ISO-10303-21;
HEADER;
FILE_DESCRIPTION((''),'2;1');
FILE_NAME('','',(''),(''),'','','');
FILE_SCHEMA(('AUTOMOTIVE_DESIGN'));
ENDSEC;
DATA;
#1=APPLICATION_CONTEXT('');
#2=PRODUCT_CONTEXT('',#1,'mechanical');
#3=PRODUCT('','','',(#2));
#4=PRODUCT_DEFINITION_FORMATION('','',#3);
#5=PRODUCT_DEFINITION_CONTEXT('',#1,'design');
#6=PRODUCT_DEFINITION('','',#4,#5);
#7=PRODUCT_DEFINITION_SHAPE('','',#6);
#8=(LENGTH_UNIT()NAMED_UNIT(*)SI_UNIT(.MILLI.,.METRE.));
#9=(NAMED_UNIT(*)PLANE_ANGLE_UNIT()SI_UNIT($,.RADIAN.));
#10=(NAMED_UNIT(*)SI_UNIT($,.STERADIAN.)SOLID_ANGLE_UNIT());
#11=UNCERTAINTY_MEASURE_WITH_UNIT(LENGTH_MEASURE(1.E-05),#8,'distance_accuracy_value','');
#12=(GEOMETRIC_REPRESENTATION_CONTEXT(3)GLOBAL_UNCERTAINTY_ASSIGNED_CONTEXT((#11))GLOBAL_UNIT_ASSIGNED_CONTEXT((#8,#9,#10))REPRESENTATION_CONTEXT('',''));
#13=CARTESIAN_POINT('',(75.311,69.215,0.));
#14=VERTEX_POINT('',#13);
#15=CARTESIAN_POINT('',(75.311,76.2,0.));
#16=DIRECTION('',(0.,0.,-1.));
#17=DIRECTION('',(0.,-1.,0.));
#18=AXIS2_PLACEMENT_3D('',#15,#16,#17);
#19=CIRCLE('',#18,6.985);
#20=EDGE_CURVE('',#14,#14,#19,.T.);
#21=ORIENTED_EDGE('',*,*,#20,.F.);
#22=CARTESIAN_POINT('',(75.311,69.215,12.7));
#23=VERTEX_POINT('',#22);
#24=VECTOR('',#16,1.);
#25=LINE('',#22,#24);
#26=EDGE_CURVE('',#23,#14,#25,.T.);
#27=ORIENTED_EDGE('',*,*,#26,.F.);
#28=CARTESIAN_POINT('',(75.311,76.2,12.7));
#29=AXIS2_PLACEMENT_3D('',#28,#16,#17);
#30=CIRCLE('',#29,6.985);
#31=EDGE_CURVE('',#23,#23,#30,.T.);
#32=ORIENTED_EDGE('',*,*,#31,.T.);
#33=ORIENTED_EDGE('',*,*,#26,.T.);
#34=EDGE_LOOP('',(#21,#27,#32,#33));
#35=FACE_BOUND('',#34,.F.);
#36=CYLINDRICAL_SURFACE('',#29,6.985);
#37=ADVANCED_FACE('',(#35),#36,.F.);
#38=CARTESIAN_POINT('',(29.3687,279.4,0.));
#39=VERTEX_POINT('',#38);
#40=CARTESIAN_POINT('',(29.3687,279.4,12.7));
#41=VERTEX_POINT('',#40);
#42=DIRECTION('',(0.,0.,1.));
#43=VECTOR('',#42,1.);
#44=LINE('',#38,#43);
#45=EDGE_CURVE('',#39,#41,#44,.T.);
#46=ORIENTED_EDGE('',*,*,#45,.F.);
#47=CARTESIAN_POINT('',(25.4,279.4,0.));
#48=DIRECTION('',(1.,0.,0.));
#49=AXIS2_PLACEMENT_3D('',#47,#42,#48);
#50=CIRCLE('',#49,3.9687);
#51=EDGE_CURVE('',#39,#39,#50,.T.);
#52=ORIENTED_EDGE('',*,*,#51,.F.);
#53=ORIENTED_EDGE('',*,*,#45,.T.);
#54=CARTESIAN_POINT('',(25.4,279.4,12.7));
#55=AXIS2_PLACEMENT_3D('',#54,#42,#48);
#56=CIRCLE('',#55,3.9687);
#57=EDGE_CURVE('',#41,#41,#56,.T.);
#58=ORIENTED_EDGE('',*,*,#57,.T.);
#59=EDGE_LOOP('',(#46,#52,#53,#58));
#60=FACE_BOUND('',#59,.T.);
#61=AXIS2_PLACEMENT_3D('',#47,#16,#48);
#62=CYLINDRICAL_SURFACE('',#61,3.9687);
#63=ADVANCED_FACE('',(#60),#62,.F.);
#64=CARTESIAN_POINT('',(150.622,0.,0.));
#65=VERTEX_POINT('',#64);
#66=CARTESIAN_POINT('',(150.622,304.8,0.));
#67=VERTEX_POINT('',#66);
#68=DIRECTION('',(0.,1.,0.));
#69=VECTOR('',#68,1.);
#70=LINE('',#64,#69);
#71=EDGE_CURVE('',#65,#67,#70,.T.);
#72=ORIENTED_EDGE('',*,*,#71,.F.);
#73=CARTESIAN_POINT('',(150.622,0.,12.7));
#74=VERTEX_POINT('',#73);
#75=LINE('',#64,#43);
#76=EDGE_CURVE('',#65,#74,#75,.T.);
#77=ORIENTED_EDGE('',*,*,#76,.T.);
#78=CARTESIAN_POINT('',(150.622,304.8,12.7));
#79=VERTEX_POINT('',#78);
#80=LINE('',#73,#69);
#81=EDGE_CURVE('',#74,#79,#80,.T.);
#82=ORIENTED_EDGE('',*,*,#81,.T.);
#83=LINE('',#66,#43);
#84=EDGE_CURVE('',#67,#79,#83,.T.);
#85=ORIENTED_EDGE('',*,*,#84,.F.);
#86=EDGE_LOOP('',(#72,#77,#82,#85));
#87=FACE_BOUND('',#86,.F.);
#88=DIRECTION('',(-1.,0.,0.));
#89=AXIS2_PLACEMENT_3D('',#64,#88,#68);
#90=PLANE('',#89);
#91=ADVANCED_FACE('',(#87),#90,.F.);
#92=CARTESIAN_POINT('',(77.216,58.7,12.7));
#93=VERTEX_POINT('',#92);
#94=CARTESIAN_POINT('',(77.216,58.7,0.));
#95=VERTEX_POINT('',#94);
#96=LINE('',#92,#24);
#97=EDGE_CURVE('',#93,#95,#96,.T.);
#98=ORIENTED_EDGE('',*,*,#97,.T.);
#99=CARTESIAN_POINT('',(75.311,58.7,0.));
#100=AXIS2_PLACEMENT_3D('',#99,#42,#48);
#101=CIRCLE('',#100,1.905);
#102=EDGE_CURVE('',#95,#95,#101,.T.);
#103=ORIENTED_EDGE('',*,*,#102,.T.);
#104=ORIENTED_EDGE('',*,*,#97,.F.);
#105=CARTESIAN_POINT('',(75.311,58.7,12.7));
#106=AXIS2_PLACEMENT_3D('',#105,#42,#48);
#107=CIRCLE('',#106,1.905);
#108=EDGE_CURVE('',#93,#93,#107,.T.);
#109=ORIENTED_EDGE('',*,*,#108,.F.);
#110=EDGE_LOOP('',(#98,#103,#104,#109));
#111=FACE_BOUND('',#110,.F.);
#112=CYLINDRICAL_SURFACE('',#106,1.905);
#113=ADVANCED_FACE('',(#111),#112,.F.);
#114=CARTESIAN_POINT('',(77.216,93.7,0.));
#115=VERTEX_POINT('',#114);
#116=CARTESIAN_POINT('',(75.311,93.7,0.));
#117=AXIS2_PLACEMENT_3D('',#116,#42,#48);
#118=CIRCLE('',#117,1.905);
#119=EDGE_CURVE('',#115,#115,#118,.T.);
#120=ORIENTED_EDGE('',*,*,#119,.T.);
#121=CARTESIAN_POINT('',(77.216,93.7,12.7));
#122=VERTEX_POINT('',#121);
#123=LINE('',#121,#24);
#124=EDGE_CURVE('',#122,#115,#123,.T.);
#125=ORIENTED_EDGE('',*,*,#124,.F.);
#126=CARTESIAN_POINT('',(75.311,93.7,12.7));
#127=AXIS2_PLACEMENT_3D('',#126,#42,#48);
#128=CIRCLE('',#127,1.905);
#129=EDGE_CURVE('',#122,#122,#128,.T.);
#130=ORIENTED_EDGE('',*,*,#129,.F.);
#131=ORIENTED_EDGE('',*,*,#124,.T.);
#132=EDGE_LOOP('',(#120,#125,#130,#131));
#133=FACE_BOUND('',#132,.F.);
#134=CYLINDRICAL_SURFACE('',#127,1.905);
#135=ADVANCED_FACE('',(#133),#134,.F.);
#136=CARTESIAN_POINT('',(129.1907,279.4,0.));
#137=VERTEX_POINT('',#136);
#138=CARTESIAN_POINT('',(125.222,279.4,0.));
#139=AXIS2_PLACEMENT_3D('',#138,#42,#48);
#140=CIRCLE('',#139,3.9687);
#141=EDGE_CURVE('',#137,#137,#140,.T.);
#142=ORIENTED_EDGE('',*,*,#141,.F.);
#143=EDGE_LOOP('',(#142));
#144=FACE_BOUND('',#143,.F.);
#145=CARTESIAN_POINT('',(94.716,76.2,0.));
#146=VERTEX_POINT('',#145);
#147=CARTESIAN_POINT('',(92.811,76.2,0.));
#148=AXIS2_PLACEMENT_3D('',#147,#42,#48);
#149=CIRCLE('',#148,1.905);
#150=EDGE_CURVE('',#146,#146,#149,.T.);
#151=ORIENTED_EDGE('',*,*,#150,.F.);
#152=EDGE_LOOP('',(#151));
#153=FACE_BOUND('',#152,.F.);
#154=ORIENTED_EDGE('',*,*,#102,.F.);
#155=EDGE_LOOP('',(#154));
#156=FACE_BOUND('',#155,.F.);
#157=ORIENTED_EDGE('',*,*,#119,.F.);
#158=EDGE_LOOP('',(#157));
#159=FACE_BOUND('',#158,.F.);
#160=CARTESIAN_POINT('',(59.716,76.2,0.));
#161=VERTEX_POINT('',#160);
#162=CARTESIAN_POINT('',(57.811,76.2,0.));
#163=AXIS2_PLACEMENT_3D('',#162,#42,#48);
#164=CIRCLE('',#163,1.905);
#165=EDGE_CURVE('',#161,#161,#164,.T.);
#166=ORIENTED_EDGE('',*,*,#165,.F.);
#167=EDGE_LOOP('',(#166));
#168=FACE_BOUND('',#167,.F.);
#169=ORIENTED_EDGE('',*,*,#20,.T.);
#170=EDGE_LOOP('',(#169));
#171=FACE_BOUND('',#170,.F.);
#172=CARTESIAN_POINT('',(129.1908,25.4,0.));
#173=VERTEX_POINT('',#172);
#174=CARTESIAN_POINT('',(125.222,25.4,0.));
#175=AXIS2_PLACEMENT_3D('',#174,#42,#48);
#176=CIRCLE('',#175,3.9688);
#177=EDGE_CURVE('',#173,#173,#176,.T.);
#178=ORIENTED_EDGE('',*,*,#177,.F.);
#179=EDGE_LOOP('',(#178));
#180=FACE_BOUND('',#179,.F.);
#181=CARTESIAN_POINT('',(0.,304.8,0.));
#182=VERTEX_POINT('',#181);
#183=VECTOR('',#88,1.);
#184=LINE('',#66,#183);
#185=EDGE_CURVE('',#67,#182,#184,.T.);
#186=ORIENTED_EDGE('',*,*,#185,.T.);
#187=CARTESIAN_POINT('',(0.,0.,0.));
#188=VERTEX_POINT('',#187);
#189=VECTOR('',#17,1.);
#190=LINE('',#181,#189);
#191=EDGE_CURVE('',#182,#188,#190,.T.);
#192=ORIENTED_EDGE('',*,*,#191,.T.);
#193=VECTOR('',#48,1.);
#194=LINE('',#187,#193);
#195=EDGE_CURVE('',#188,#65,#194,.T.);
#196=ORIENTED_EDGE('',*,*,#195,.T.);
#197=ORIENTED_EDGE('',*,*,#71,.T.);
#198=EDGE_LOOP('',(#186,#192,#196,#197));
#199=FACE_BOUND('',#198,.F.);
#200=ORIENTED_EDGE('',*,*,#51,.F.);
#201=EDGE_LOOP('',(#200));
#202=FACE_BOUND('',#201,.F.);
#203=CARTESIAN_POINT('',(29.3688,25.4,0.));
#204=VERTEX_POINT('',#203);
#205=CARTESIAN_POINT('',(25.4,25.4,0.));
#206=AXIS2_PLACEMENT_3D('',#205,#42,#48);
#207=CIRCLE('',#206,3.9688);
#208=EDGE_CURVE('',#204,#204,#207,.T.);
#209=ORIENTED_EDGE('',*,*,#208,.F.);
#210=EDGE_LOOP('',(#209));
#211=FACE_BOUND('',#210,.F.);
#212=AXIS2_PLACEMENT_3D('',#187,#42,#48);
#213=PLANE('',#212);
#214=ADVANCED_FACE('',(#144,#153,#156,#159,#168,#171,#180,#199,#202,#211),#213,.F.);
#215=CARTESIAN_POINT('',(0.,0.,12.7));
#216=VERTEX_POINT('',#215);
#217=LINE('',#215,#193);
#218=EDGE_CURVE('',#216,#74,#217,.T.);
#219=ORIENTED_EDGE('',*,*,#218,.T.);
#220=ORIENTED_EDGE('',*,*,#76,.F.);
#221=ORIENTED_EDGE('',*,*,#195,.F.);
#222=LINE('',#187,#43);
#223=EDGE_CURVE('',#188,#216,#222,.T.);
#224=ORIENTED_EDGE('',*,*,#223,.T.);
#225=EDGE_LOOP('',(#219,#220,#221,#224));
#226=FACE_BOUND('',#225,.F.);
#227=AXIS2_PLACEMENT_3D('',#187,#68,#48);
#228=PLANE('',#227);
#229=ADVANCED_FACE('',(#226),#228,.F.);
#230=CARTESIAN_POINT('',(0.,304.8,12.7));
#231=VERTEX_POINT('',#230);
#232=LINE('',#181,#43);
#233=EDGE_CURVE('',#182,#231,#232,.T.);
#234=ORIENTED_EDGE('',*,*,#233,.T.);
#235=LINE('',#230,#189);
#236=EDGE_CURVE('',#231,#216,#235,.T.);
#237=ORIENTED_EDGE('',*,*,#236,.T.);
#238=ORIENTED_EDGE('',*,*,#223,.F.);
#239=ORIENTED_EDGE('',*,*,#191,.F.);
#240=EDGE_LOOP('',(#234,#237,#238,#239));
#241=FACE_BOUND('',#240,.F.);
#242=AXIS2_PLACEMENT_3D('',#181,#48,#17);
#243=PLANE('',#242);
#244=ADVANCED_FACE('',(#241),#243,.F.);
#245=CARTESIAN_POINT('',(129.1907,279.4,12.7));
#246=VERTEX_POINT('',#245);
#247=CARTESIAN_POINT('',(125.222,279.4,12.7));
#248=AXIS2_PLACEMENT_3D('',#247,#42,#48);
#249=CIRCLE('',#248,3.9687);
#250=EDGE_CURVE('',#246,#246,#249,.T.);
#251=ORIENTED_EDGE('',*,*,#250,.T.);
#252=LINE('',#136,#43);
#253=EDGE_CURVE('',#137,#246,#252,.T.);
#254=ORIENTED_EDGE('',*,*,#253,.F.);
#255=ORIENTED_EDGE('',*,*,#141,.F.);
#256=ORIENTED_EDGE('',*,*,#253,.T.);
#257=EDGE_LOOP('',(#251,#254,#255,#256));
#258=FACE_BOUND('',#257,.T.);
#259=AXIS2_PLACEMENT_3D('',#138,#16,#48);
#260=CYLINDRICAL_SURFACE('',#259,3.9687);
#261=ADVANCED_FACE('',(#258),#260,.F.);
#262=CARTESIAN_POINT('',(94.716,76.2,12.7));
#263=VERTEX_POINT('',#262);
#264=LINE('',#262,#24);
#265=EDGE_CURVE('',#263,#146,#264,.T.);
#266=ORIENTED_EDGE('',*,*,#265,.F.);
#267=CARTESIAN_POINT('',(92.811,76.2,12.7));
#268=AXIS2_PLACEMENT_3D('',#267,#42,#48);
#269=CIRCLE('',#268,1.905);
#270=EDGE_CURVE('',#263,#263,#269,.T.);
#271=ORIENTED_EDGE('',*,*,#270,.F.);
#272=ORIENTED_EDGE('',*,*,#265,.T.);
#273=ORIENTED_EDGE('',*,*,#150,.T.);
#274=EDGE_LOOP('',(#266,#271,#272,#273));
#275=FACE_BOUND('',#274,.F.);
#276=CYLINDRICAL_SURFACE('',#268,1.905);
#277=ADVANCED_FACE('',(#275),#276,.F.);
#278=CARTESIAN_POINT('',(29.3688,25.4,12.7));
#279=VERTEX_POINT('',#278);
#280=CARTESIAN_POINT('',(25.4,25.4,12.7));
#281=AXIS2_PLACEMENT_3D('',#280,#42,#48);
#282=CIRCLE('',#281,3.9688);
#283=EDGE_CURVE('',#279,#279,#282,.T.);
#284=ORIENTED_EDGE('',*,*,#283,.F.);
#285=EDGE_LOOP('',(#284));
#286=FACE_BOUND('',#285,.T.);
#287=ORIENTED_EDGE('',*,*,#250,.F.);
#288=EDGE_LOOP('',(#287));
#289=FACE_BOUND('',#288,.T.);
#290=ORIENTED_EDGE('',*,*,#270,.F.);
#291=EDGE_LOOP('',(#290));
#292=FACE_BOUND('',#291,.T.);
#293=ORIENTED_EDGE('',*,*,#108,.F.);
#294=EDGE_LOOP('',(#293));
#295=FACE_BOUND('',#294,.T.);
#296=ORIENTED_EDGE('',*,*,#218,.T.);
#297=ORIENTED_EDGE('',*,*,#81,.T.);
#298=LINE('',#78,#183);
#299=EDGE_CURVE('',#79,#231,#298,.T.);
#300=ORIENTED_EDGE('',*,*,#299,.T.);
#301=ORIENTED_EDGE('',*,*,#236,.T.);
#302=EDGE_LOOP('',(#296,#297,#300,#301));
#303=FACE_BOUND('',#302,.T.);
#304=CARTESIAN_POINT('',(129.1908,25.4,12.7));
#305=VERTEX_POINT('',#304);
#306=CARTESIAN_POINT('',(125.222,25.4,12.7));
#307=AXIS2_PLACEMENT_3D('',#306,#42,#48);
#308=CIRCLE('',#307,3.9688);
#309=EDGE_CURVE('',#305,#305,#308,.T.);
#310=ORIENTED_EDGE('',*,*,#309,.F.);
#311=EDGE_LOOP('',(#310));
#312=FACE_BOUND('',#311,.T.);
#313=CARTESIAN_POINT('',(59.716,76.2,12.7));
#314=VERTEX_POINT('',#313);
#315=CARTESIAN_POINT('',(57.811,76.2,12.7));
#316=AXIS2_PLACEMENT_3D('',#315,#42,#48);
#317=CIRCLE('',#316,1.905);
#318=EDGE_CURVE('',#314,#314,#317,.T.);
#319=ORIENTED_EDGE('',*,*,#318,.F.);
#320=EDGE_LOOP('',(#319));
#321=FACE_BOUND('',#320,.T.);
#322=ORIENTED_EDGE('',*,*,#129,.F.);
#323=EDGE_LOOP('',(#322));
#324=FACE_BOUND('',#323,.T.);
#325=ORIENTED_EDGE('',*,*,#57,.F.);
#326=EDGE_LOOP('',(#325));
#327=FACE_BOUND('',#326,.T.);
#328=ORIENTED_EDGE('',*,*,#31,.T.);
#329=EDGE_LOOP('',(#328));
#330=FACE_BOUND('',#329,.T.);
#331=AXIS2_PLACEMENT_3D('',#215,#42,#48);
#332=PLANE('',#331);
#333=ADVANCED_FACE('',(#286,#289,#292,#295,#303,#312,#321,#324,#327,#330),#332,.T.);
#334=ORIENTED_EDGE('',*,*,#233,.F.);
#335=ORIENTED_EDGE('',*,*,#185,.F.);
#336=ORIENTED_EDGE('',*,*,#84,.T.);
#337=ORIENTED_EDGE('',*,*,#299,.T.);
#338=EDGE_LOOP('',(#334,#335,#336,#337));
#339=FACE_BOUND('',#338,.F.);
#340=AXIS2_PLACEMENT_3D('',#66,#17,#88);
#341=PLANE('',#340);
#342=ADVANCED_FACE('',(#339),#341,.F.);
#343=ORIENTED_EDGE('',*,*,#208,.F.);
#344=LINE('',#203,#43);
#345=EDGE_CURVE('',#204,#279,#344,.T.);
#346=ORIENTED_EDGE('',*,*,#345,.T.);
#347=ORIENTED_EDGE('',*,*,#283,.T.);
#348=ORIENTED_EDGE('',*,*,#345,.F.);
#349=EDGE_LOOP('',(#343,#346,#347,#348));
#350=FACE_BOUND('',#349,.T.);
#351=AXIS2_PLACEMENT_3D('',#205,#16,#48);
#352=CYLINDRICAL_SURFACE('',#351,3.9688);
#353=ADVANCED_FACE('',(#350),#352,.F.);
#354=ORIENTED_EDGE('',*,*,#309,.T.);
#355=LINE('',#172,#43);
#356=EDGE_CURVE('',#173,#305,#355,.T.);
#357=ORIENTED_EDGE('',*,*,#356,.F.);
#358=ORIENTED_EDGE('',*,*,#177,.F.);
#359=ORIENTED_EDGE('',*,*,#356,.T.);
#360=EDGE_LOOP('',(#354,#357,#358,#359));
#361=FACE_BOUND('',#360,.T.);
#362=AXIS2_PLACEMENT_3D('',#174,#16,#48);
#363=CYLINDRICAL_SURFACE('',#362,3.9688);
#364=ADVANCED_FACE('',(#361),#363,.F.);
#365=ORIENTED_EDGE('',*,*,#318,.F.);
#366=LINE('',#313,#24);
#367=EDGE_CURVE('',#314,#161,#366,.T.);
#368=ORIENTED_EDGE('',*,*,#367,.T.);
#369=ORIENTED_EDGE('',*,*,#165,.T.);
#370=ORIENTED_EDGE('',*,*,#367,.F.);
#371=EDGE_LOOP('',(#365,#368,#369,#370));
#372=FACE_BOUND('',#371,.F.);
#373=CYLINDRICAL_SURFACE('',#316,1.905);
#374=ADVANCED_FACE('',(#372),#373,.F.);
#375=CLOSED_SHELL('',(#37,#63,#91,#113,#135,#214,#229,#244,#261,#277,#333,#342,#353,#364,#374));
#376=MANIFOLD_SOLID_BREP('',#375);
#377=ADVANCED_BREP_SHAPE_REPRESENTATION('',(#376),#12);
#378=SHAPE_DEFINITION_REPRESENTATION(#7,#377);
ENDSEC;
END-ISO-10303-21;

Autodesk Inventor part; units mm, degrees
ref_plane "YZ Plane" through (0, 0, 0) normal (1, 0, 0) x (0, 1, 0)
ref_plane "XZ Plane" through (0, 0, 0) normal (0, 1, 0) x (-1, 0, 0)
ref_plane "XY Plane" through (0, 0, 0) normal (0, 0, 1) x (1, 0, 0)
sketch "Sketch1" plane through (0, 0, 0) normal (0, 0, 1) x (1, 0, 0)
  point P0 (0, 0)
sketch "Sketch2" plane through (0, 0, 0) normal (0, 0, 1) x (1, 0, 0)
  line L0 (0, 0) -> (150.622, 0)
  line L1 (150.622, 0) -> (150.622, 304.8)
  line L2 (150.622, 304.8) -> (0, 304.8)
  line L3 (0, 304.8) -> (0, 0)
  circle A0 centre (25.4, 279.4) radius 3.9687
  circle A1 centre (125.222, 279.4) radius 3.9687
  circle A2 centre (25.4, 25.4) radius 3.9688
  circle A3 centre (125.222, 25.4) radius 3.9688
  dimension "d0" = 150.622
  dimension "d1" = 304.8
  dimension "d2" = 7.9375
  dimension "d3" = 25.4
  dimension "d4" = 25.4
  dimension "d5" = 7.9375
  dimension "d6" = 25.4
  dimension "d7" = 25.4
  dimension "d8" = 7.9375
  dimension "d9" = 25.4
  dimension "d10" = 25.4
  dimension "d11" = 7.9375
  dimension "d12" = 25.4
  dimension "d13" = 25.4
extrude "Extrusion1" add sketch "Sketch2" along normal blind 12.7
sketch "Sketch3" plane through (0, 0, 12.7) normal (0, 0, 1) x (1, 0, 0)
  line L0 (150.622, 304.8) -> (0, 304.8) projected
  line L1 (0, 0) -> (150.622, 0) projected
  line L2 (0, 304.8) -> (0, 0) projected
  line L3 (150.622, 0) -> (150.622, 304.8) projected
  circle A0 centre (57.811, 76.2) radius 1.905
  circle A1 centre (75.311, 93.7) radius 1.905
  circle A2 centre (75.311, 58.7) radius 1.905
  circle A3 centre (92.811, 76.2) radius 1.905
  point P0 (75.311, 76.2)
  dimension "d16" = 228.6
  dimension "d17" = 76.2
  dimension "d18" = 75.311
  dimension "d19" = 75.311
  dimension "d31" = 3.81
  dimension "d32" = 3.81
  dimension "d33" = 3.81
  dimension "d34" = 3.81
  dimension "d45" = 34.9999
  dimension "d46" = 17.5
  dimension "d47" = 17.5
  dimension "d48" = 17.5
hole "Hole1" at (75.311, 76.2, 12.7) direction (0, 0, -1) diameter 13.97 end through all
extrude "Extrusion2" cut sketch "Sketch3" against normal blind 25.4 contours A0 | A1 | A2 | A3
